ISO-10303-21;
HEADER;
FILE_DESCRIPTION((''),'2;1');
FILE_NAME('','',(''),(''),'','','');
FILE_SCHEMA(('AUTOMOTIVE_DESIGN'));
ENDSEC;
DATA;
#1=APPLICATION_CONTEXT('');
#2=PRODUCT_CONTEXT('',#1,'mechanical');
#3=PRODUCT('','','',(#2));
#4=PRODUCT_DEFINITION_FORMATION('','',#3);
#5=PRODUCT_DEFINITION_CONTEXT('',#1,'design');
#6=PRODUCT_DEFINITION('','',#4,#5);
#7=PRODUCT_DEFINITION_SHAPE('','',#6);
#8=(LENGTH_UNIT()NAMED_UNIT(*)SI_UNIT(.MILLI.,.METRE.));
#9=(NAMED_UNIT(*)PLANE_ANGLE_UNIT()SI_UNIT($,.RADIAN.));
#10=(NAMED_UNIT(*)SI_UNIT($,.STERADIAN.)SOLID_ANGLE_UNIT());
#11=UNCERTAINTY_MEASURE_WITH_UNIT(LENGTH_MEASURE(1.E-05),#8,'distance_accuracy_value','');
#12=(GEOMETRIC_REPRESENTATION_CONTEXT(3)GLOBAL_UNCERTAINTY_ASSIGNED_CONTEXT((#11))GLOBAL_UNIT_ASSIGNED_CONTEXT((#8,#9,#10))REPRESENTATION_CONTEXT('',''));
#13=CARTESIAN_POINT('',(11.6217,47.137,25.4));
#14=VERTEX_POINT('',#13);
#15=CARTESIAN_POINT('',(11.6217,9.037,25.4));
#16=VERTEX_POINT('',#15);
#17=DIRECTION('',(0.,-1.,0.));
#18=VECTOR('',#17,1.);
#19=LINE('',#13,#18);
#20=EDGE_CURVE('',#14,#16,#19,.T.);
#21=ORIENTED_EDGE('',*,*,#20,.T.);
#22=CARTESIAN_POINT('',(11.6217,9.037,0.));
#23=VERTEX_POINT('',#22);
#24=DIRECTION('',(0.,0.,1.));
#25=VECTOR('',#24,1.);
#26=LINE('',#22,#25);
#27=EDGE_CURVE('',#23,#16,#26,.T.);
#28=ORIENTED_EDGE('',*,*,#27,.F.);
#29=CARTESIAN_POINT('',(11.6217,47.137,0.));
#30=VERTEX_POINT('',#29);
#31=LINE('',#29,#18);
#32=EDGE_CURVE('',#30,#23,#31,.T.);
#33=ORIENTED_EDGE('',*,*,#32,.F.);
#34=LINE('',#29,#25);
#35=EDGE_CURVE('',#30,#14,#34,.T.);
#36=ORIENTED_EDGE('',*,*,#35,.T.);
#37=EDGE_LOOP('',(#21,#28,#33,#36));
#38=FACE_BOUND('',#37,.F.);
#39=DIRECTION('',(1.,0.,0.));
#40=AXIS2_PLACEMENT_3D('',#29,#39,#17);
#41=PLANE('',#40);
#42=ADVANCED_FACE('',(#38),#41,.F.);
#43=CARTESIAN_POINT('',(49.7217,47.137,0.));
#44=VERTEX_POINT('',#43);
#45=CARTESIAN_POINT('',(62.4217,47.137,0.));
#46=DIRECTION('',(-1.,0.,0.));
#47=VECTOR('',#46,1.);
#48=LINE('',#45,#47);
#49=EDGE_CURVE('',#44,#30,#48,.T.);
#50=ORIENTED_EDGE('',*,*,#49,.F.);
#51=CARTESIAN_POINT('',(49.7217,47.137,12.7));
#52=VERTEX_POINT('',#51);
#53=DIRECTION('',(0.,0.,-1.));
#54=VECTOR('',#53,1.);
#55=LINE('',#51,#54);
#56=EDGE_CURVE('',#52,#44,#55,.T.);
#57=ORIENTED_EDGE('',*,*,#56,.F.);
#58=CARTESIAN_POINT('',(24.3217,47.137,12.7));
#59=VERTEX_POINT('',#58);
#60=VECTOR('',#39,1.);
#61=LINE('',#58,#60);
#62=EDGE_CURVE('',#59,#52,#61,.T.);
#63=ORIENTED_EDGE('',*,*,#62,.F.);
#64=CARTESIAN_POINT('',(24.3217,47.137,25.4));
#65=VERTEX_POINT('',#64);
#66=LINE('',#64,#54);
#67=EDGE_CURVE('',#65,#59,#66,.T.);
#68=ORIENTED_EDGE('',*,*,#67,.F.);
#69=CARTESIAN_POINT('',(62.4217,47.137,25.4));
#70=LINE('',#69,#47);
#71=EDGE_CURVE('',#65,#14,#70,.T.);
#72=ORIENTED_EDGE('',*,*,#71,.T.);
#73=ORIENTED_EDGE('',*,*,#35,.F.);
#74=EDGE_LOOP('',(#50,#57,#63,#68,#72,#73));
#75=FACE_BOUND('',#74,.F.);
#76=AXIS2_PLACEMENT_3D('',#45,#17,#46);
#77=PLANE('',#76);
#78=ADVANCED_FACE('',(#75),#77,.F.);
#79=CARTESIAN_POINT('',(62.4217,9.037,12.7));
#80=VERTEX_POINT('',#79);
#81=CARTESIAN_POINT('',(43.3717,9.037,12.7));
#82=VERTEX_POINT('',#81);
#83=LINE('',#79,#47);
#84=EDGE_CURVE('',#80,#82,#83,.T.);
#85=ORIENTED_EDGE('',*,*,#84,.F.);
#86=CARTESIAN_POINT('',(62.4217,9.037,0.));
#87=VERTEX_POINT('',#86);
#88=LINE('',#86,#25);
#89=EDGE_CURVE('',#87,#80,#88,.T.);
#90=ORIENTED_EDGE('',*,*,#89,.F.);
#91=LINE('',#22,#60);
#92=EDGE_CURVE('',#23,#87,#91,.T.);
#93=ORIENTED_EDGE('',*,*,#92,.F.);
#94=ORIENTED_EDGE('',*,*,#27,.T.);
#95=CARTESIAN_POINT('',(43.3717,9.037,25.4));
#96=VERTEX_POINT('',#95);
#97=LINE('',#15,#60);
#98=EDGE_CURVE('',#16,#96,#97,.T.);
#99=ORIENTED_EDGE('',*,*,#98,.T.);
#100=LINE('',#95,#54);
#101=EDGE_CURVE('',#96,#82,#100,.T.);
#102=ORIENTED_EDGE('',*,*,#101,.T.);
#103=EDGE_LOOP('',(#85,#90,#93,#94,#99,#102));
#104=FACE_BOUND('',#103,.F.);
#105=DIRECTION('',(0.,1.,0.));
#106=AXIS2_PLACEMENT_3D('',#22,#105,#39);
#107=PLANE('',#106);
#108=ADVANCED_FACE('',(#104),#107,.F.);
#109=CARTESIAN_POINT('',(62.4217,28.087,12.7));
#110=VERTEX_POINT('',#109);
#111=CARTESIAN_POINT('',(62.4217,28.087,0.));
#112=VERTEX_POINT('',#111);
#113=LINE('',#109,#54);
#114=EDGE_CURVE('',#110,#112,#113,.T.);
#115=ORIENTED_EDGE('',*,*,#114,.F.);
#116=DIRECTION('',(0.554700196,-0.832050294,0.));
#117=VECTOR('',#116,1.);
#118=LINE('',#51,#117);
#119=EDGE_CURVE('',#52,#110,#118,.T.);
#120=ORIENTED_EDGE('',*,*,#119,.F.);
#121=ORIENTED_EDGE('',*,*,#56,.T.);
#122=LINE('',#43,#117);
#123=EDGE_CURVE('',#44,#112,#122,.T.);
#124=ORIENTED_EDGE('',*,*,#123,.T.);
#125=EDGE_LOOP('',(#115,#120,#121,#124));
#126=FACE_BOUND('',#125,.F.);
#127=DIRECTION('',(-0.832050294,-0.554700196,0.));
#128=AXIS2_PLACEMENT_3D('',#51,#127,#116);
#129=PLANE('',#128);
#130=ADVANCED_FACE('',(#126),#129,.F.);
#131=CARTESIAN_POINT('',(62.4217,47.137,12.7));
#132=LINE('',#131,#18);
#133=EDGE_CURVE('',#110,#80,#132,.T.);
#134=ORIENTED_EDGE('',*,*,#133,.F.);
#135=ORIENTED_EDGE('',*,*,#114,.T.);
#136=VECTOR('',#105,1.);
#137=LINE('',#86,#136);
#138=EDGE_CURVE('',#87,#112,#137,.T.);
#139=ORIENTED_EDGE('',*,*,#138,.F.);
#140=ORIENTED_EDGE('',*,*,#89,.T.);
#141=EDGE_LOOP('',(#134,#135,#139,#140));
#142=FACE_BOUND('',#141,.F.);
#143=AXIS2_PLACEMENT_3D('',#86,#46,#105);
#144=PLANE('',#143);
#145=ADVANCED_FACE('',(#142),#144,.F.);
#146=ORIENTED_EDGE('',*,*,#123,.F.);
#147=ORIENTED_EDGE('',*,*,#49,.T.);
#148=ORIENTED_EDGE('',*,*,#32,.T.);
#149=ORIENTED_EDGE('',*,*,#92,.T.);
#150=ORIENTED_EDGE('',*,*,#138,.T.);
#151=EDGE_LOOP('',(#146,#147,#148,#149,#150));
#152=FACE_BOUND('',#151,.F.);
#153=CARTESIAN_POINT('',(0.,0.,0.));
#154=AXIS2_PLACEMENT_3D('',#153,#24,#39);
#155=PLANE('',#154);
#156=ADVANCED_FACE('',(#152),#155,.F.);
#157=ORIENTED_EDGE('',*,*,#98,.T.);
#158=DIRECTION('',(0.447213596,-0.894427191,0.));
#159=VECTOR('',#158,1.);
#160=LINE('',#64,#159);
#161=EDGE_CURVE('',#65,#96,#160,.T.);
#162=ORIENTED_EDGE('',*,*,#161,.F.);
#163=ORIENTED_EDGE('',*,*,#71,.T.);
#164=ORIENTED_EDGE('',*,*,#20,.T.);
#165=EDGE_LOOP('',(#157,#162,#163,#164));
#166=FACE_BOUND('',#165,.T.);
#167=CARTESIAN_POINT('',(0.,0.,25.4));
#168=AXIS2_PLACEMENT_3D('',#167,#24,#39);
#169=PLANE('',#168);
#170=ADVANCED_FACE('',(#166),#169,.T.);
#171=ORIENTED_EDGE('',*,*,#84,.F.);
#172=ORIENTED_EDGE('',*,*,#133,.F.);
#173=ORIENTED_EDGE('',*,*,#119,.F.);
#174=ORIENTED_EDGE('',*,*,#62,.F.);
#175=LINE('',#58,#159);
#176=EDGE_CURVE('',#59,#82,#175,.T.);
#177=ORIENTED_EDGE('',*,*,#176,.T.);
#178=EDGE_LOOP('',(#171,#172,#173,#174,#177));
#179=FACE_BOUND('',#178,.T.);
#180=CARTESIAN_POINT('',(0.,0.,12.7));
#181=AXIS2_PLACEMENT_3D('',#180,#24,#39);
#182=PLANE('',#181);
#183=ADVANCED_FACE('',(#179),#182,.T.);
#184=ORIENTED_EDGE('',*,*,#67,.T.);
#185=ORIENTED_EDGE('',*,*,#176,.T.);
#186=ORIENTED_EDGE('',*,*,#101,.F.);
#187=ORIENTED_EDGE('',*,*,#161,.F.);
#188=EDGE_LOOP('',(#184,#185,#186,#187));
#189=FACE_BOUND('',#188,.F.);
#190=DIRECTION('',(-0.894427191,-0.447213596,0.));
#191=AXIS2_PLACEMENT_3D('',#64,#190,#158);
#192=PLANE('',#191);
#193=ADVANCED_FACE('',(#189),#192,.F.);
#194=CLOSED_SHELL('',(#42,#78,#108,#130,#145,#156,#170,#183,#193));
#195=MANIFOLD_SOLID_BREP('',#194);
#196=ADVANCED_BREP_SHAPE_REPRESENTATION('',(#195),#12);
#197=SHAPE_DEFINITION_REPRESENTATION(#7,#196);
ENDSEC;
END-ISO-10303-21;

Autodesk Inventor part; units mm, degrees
ref_plane "YZ Plane" through (0, 0, 0) normal (1, 0, 0) x (0, 1, 0)
ref_plane "XZ Plane" through (0, 0, 0) normal (0, 1, 0) x (-1, 0, 0)
ref_plane "XY Plane" through (0, 0, 0) normal (0, 0, 1) x (1, 0, 0)
sketch "Sketch1" plane through (0, 0, 0) normal (0, 0, 1) x (1, 0, 0)
  line L0 (11.6217, 9.037) -> (62.4217, 9.037)
  line L1 (62.4217, 9.037) -> (62.4217, 47.137)
  line L2 (62.4217, 47.137) -> (11.6217, 47.137)
  line L3 (11.6217, 47.137) -> (11.6217, 9.037)
  point P0 (0, 0)
  point P1 (24.3217, 47.137)
  dimension "d0" = 50.8
  dimension "d1" = 38.1
  dimension "d2" = 12.7
extrude "Extrusion1" add sketch "Sketch1" along normal blind 25.4
sketch "Sketch2" plane through (0, 0, 25.4) normal (0, 0, 1) x (1, 0, 0)
  line L0 (24.3217, 47.137) -> (43.3717, 9.037)
  line L1 (24.3217, 47.137) -> (62.4217, 47.137)
  line L2 (62.4217, 47.137) -> (62.4217, 9.037)
  line L3 (62.4217, 9.037) -> (62.4217, 47.137) projected
  line L4 (62.4217, 9.037) -> (43.3717, 9.037)
  point P0 (0, 0)
extrude "Extrusion2" cut sketch "Sketch2" against normal blind 12.7
sketch "Sketch3" plane through (0, 0, 12.7) normal (0, 0, 1) x (1, 0, 0)
  line L0 (49.7217, 47.137) -> (62.4217, 28.087)
  line L1 (49.7217, 47.137) -> (62.4217, 47.137)
  line L2 (62.4217, 47.137) -> (62.4217, 28.087)
  point P0 (0, 0)
extrude "Extrusion3" cut sketch "Sketch3" against normal blind 12.7
properties part number "7.1 Part 4"
